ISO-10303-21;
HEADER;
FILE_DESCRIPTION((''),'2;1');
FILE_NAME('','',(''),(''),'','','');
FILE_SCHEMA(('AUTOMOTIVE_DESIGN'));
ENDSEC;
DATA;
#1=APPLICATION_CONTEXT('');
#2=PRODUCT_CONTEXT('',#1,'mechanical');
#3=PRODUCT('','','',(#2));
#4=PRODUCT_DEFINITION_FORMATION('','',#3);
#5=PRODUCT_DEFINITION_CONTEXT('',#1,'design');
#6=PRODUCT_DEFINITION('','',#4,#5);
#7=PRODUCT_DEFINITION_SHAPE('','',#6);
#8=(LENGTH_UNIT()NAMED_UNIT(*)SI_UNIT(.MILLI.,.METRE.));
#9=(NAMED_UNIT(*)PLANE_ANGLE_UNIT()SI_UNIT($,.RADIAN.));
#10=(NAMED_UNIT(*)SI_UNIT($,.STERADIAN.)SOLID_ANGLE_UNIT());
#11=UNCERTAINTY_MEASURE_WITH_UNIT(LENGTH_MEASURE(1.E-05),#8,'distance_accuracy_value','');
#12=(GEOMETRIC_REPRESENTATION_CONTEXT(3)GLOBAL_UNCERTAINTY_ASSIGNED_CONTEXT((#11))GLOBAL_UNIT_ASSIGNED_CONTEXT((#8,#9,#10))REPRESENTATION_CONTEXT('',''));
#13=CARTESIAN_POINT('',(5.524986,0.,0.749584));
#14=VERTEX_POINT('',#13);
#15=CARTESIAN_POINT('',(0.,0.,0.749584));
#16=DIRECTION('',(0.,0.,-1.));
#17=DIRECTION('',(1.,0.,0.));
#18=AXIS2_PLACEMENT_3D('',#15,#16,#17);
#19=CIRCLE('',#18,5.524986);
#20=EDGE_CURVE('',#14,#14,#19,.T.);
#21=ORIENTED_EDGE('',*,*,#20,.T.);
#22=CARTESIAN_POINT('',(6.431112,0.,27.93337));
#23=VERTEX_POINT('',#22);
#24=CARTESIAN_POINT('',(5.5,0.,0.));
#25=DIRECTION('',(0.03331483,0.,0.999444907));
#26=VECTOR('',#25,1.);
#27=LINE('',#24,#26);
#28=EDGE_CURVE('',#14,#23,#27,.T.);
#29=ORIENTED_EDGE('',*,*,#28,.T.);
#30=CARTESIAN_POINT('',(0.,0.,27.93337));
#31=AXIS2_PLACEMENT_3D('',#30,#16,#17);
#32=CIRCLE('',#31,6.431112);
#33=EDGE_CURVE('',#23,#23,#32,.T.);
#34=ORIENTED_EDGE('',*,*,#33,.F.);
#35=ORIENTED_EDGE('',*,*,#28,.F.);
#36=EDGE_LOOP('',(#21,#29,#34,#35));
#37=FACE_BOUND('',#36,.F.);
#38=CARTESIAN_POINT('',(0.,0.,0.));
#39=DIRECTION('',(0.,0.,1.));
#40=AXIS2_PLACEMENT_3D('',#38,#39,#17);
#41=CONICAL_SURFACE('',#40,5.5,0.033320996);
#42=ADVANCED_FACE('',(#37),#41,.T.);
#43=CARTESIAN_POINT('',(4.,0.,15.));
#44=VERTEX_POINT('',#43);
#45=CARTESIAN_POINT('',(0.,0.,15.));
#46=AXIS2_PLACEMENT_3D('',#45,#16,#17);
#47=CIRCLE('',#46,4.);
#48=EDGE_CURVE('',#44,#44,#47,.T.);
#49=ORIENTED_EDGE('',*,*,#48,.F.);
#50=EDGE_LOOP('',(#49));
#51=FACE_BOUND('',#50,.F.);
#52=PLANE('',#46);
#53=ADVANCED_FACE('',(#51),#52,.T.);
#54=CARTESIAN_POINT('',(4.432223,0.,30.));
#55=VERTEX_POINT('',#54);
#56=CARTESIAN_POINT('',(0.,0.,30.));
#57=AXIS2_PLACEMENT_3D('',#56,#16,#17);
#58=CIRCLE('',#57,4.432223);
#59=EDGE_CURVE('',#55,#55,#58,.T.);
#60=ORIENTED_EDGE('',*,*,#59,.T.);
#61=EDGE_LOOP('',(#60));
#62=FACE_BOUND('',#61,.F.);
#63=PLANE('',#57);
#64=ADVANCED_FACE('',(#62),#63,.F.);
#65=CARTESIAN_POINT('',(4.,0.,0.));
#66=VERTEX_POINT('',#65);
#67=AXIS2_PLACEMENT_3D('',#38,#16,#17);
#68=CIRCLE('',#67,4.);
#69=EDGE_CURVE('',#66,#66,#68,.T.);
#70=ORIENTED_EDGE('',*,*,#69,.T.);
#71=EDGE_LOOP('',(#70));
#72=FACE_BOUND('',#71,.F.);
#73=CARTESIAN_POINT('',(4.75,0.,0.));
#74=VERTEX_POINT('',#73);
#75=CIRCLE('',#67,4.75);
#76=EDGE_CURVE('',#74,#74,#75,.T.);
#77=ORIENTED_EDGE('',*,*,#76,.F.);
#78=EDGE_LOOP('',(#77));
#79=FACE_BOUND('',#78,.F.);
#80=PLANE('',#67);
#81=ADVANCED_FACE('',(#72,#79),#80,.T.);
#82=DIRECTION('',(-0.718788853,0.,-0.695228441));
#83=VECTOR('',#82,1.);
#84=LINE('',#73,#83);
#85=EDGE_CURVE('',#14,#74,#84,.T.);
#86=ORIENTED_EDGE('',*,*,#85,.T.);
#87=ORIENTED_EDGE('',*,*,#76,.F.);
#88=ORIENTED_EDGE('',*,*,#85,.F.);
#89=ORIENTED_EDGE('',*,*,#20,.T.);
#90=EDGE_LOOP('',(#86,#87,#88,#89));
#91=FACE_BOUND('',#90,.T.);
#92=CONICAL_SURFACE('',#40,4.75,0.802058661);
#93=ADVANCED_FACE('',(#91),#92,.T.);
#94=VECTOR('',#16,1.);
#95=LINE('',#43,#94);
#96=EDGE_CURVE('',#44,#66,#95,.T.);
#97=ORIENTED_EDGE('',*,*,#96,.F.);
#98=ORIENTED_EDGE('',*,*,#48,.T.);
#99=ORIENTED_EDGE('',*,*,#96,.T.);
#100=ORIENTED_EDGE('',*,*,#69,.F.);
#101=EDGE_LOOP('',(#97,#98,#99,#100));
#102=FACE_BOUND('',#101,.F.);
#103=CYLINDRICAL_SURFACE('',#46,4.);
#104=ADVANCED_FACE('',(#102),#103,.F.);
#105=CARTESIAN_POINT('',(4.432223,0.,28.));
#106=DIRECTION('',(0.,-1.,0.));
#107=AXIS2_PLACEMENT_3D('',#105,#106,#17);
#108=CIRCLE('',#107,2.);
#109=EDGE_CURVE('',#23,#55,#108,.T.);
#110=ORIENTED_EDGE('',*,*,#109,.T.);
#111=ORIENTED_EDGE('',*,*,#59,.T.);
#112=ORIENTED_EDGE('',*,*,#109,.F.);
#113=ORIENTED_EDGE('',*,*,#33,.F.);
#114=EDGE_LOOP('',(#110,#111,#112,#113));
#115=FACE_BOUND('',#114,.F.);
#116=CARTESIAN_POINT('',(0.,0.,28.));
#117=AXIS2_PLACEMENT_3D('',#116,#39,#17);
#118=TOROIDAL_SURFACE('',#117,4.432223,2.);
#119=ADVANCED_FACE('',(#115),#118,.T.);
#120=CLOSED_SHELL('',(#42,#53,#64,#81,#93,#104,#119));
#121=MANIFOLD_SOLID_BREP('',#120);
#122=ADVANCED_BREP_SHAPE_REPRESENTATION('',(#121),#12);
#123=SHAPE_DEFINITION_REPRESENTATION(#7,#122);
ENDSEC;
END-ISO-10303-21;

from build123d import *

# Parameters (mm, degrees)
F2_R    = 2
F3_SIZE = 0.75


with BuildPart() as f1:
    # F0 (on Front) → F1 (revolve)
    with BuildSketch(Plane.XZ):
        Polygon((5.5, 0), (6.5, 30), (0, 30), (0, 15), (4, 15), (4, 0), align=None)
    revolve(axis=Axis((0, 0, 0.05881), (0, 0, -1)))

    # F2
    f2_edges = [f1.edges().sort_by_distance(p)[0] for p in [
        (-6.5, 0, 30),
    ]]
    fillet(f2_edges, radius=F2_R)

    # F3
    f3_edges = [f1.edges().sort_by_distance(p)[0] for p in [
        (-5.5, 0, 0),
    ]]
    chamfer(f3_edges, length=F3_SIZE)


solid = f1.part
